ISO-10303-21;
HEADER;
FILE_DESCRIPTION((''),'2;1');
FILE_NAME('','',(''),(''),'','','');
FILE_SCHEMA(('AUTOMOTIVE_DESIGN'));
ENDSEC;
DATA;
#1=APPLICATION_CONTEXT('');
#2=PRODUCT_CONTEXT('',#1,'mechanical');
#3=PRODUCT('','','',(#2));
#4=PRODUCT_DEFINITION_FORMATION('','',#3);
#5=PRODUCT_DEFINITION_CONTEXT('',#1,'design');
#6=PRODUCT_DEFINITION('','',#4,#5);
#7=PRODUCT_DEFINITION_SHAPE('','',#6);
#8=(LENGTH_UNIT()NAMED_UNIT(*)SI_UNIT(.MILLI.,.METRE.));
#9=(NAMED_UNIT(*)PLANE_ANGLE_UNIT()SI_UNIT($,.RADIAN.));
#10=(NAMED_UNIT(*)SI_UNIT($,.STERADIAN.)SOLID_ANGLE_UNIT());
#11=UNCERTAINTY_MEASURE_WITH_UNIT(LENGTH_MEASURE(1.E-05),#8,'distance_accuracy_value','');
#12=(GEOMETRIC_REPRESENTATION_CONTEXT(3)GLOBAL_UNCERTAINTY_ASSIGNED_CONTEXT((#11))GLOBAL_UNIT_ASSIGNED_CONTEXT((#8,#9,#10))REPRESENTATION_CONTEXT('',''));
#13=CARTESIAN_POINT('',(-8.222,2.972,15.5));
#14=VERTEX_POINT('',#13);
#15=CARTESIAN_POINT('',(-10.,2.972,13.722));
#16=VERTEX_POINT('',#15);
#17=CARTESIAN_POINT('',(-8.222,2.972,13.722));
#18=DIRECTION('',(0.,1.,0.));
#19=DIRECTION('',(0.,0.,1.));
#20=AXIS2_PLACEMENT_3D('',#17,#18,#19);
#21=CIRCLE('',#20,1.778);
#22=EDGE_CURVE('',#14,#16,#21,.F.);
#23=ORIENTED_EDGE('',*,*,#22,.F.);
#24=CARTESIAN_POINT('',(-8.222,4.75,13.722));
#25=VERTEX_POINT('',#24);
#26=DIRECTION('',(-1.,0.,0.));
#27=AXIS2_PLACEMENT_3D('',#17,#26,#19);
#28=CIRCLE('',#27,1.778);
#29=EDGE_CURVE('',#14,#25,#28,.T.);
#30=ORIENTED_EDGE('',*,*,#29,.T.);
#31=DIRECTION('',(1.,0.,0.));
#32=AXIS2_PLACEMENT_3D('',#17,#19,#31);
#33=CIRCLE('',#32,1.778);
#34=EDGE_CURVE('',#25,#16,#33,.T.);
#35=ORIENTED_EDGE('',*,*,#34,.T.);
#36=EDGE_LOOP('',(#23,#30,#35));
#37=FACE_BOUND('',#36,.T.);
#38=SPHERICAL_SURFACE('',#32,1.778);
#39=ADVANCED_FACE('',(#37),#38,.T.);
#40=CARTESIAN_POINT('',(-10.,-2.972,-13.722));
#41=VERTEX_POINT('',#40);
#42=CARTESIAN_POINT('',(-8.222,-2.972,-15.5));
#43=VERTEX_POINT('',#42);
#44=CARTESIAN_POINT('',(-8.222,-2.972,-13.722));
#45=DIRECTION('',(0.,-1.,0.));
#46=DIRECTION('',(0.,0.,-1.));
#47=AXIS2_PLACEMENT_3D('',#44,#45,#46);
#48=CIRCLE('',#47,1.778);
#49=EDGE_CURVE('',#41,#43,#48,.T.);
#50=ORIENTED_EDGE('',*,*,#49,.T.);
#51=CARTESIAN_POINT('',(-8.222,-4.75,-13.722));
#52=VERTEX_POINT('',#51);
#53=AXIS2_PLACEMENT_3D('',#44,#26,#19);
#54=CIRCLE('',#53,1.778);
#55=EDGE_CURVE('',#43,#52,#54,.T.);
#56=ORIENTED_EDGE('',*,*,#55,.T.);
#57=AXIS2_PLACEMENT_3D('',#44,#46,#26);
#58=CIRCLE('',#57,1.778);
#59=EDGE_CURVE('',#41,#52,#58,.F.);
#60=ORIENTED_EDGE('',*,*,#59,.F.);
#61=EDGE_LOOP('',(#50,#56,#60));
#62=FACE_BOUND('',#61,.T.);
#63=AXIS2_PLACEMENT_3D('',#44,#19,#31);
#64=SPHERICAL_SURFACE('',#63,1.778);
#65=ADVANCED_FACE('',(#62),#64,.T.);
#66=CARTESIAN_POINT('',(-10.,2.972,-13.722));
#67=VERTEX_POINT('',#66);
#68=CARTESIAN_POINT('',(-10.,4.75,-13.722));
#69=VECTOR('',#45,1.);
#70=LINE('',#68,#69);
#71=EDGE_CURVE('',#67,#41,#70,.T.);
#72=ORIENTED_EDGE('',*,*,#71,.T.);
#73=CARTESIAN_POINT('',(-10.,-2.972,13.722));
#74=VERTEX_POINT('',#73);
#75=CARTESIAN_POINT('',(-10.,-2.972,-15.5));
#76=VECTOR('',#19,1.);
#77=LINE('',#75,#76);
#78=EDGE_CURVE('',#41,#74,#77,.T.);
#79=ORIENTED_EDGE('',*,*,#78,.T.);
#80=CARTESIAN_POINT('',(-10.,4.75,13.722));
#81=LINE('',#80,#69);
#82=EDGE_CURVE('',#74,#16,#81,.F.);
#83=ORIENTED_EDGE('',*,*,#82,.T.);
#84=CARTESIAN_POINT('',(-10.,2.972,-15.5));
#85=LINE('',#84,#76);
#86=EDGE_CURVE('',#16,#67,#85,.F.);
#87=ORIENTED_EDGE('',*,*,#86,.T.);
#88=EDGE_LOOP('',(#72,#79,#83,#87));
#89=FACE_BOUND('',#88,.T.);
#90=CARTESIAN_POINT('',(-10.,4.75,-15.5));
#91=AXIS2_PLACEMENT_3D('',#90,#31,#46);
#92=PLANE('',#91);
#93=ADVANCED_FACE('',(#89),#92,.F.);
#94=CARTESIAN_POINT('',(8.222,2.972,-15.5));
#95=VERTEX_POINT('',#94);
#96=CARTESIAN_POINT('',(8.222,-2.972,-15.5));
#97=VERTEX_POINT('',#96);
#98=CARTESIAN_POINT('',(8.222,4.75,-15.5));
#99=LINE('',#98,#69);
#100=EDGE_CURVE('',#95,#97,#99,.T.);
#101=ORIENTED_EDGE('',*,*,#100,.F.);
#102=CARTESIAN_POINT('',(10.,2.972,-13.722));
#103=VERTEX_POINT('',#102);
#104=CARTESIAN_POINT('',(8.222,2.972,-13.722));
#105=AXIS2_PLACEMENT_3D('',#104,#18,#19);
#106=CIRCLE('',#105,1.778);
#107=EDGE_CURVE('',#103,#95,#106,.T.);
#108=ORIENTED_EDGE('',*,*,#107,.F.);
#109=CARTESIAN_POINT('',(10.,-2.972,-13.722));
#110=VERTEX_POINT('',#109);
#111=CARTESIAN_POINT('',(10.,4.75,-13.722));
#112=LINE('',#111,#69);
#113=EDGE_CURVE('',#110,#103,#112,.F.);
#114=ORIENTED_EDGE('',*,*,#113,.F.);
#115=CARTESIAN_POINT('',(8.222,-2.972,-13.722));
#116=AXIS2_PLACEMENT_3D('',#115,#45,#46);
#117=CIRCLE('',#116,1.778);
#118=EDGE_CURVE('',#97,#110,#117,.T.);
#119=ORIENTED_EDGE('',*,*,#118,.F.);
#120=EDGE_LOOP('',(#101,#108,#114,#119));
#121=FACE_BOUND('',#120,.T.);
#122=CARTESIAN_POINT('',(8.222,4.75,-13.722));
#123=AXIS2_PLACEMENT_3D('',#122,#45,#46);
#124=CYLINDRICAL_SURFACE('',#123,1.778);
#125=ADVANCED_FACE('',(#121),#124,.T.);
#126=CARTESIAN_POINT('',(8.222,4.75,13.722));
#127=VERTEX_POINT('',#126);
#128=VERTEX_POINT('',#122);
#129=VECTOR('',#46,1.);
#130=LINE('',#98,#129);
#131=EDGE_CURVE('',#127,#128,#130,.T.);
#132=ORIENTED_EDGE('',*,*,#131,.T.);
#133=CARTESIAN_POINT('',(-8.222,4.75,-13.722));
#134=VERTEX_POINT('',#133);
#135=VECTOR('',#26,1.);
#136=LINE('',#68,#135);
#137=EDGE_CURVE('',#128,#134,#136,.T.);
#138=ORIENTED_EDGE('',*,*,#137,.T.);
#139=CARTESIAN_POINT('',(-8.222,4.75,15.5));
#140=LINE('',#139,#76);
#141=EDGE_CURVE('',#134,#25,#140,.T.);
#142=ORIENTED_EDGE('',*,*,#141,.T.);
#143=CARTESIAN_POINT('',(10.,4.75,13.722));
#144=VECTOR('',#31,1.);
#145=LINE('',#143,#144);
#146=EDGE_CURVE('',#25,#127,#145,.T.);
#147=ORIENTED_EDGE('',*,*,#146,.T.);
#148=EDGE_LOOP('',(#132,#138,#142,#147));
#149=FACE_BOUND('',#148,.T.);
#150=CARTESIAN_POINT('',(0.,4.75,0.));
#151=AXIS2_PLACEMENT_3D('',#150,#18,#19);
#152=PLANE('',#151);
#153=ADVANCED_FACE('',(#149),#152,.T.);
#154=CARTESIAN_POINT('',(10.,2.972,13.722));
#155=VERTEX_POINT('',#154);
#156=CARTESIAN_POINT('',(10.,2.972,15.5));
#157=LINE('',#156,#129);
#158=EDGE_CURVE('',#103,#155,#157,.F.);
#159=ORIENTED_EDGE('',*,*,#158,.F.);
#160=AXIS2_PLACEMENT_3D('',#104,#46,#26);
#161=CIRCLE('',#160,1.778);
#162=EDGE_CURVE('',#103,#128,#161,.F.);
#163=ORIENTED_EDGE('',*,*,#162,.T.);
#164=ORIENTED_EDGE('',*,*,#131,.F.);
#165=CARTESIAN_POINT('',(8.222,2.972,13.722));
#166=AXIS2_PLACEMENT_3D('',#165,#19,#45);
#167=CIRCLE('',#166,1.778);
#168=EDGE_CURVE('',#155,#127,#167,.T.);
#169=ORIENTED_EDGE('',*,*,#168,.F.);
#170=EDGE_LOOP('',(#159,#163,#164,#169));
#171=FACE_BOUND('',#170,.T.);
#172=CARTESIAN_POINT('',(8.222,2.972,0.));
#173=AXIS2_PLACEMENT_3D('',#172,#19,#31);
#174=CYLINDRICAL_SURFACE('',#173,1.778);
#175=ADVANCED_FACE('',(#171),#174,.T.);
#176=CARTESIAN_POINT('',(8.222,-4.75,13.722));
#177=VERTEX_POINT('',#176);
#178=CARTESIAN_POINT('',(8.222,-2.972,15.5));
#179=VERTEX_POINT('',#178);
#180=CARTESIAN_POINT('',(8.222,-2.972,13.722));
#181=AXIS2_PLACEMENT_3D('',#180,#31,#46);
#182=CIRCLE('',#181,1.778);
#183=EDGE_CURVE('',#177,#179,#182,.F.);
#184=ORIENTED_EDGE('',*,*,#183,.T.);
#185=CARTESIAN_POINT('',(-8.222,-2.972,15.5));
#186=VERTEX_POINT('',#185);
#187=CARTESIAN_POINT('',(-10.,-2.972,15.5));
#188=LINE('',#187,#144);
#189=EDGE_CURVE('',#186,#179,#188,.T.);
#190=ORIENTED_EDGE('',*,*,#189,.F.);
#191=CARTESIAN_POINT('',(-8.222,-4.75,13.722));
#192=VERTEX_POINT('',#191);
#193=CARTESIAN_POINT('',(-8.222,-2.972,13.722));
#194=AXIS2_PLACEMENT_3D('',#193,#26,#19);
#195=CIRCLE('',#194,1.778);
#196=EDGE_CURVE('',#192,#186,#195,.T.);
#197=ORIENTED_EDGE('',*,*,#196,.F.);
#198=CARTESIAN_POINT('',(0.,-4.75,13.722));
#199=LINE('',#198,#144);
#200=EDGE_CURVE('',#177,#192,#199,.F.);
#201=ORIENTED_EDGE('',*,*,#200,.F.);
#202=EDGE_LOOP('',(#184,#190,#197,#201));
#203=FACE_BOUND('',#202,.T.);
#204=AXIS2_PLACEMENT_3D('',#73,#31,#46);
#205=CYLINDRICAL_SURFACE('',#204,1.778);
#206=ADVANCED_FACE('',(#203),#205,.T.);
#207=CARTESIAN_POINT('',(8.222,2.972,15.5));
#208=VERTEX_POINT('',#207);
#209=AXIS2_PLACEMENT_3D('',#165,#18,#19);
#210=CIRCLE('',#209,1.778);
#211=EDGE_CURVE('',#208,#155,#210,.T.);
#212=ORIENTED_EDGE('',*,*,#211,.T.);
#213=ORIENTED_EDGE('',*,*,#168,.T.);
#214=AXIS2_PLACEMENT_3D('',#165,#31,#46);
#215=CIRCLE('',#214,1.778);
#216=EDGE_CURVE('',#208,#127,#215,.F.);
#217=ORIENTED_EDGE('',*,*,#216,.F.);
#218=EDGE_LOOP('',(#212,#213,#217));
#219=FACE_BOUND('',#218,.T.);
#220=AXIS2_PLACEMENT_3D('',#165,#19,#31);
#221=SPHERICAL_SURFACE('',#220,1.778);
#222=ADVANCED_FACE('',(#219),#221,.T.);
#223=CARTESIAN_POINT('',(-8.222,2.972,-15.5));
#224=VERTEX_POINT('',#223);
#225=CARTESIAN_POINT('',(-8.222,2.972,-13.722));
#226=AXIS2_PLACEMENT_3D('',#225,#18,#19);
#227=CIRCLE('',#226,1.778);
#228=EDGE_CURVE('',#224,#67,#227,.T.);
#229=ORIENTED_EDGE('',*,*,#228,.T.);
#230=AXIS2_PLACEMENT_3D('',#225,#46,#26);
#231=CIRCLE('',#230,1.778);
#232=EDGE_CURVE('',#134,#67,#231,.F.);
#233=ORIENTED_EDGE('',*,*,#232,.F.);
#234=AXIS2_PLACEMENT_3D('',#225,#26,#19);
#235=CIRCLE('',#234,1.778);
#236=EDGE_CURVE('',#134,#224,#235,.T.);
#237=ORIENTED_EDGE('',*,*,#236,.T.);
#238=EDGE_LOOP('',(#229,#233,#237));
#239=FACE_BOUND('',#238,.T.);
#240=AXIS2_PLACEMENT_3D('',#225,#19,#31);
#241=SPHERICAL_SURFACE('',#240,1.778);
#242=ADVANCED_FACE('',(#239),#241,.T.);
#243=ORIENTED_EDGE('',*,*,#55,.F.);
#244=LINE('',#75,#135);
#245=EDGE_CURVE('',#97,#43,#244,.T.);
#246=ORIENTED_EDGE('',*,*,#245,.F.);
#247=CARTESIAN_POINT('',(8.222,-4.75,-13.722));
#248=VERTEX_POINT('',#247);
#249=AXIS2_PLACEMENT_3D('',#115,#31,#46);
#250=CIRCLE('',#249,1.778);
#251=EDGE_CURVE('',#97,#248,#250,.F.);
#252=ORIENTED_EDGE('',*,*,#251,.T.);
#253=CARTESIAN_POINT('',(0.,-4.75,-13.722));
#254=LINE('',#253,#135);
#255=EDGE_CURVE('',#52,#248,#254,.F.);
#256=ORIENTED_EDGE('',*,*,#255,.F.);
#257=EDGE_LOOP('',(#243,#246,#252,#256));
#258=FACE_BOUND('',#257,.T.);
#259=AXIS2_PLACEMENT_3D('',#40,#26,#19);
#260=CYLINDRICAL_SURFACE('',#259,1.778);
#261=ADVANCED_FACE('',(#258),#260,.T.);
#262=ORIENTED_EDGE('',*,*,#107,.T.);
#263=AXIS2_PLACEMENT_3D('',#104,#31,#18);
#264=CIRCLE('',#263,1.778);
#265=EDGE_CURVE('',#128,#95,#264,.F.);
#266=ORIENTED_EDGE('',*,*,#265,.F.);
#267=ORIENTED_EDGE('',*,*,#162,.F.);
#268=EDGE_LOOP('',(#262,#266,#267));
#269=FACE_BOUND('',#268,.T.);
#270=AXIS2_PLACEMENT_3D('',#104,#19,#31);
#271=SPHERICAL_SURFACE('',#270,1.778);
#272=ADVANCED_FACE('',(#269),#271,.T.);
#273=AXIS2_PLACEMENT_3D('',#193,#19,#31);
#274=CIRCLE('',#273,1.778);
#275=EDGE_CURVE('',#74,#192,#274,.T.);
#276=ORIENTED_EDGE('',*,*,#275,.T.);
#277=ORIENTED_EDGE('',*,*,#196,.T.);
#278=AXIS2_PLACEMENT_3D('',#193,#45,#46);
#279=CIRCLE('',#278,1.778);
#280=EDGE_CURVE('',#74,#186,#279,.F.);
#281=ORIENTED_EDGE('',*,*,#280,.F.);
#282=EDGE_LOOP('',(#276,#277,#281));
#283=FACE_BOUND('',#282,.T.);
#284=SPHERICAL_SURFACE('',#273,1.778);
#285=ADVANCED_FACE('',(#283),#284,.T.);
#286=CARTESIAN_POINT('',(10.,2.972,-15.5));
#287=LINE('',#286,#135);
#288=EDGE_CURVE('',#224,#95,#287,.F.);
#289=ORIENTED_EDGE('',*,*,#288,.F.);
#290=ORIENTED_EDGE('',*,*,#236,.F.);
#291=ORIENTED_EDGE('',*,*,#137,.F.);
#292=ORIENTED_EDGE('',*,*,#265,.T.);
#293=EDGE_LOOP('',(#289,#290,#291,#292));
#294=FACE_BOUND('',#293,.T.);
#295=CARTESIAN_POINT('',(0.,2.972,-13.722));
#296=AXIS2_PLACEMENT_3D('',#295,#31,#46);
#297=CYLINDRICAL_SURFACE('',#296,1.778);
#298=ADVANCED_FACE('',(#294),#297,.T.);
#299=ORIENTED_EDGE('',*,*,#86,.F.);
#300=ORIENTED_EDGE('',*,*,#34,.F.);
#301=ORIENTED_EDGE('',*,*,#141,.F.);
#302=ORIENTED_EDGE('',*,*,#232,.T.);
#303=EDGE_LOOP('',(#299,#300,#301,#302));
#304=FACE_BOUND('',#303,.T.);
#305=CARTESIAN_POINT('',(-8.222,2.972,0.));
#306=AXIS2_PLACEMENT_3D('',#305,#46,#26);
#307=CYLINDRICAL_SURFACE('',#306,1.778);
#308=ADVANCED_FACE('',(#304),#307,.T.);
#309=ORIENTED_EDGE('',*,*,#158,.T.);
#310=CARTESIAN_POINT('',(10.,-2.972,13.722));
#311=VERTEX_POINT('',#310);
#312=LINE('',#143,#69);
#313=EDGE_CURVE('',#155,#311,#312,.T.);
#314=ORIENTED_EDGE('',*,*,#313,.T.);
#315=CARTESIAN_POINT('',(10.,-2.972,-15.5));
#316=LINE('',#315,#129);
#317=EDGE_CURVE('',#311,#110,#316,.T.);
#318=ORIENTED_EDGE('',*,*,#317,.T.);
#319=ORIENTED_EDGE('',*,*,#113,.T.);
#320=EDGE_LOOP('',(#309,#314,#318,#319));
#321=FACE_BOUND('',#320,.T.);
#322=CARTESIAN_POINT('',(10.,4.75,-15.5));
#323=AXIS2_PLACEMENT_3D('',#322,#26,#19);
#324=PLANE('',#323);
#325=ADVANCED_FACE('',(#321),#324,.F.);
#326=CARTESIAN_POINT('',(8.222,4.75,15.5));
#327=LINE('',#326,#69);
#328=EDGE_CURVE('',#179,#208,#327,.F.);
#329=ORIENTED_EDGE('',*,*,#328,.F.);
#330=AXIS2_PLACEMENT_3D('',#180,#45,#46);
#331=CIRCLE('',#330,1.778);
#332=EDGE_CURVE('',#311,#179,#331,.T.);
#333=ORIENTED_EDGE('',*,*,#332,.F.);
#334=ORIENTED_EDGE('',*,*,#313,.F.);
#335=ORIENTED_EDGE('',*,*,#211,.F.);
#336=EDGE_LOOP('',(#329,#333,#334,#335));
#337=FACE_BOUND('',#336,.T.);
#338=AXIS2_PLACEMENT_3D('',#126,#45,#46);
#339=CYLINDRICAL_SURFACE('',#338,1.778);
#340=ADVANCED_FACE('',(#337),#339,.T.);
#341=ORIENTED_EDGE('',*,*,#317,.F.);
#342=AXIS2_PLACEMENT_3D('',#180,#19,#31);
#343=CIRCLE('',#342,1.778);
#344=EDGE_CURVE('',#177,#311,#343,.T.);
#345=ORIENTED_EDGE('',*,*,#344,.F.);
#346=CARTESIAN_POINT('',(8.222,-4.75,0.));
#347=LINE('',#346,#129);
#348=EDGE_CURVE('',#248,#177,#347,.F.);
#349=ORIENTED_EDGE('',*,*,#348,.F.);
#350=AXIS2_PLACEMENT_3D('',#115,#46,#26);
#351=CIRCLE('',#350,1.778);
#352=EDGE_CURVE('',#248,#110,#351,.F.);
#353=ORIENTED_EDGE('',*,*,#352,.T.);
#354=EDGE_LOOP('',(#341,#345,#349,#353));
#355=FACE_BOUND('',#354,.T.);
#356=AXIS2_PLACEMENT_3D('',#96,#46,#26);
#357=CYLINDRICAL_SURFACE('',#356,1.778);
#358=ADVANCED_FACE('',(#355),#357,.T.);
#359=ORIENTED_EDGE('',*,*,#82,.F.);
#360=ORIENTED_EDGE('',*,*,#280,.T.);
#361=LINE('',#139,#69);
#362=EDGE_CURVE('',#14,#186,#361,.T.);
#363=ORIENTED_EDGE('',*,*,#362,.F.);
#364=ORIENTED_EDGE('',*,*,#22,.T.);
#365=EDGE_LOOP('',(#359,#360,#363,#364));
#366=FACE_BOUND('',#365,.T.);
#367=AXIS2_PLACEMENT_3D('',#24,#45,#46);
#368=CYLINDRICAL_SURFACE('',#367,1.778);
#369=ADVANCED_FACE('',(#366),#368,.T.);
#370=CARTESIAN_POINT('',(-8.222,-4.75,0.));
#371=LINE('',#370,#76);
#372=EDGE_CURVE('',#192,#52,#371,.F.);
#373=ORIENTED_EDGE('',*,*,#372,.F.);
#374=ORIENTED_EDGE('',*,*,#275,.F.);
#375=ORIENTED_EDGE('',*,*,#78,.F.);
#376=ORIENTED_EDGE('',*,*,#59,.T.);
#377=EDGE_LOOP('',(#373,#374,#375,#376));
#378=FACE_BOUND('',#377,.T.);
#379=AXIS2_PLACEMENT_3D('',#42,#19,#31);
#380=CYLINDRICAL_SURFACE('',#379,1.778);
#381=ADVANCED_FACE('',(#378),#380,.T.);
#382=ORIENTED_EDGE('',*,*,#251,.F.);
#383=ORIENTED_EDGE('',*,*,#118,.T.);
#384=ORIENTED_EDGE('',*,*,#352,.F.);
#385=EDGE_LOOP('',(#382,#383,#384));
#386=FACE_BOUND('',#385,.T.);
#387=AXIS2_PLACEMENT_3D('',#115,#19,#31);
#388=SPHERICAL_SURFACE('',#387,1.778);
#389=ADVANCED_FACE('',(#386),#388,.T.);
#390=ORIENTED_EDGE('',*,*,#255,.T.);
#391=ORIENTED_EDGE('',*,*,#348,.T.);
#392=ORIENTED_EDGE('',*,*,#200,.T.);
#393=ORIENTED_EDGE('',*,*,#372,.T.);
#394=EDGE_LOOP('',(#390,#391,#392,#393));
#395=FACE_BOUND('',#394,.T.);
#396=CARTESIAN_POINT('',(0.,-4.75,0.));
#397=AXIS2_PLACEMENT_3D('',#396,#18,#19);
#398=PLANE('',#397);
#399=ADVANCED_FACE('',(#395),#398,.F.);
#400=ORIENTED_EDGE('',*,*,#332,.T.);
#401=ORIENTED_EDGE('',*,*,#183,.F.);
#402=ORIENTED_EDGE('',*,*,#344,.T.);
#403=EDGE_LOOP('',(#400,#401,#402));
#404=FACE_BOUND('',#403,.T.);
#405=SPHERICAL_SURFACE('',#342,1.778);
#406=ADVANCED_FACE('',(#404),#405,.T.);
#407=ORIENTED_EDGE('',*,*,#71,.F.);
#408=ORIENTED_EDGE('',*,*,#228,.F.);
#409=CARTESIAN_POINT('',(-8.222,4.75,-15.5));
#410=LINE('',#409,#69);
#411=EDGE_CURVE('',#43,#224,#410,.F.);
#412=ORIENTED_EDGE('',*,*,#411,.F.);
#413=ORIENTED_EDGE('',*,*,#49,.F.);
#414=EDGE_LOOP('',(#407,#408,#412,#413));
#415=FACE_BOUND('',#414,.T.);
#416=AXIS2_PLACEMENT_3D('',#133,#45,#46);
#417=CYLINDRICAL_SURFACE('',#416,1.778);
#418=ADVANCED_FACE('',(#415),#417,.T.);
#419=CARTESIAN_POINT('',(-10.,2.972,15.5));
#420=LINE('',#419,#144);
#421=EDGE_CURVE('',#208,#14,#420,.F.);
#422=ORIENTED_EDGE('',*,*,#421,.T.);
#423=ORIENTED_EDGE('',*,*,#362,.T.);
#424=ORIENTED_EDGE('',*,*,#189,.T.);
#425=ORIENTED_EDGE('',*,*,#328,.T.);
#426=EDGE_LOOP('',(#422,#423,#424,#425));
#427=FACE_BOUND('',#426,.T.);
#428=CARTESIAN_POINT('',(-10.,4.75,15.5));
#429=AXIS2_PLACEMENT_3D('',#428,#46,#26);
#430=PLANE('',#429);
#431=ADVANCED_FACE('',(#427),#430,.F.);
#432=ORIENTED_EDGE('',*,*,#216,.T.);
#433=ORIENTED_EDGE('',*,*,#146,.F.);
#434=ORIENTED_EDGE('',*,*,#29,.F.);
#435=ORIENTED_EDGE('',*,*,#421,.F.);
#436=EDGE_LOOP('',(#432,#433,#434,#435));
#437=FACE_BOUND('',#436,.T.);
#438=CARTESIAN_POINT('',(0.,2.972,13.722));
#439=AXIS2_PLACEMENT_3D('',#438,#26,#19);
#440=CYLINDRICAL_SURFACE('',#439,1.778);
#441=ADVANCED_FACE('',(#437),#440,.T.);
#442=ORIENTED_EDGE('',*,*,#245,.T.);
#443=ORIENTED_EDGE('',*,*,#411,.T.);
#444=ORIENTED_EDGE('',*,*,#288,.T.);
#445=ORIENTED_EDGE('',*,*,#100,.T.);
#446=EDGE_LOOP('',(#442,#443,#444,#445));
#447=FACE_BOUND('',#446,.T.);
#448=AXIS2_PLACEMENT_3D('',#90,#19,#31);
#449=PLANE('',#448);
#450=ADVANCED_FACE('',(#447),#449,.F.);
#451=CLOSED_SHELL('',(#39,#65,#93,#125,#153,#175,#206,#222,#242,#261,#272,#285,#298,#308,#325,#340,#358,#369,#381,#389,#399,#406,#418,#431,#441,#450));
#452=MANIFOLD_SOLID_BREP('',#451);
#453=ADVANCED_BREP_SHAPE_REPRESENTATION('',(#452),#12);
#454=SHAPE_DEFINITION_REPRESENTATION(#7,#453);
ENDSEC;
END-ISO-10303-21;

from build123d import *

# Parameters (mm, degrees)
SKETCH1_W           = 20
SKETCH1_H           = 30.999999976
BOSS_EXTRUDE1_DEPTH = 4.75
FILLET1_R           = 1.778


with BuildPart() as part:
    # Sketch1 → Boss-Extrude1 (new, symmetric)
    with BuildSketch(Plane(origin=(0, 0, 0), x_dir=(1, 0, 0), z_dir=(0, 1, 0))):
        Rectangle(SKETCH1_W, SKETCH1_H)
    extrude(amount=BOSS_EXTRUDE1_DEPTH, both=True)

    # Fillet1
    fillet1_edges = [part.edges().sort_by_distance(p)[0] for p in [
        (-10, 4.75, 0),
        (0, 4.75, 15.499999988),
        (10, 4.75, 0),
        (0, -4.75, 15.499999988),
        (-10, -4.75, 0),
        (0, -4.75, -15.499999988),
        (10, -4.75, 0),
        (0, 4.75, -15.499999988),
        (10, 0, 15.499999988),
        (-10, 0, 15.499999988),
        (-10, 0, -15.499999988),
        (10, 0, -15.499999988),
    ]]
    fillet(fillet1_edges, radius=FILLET1_R)


solid = part.part
